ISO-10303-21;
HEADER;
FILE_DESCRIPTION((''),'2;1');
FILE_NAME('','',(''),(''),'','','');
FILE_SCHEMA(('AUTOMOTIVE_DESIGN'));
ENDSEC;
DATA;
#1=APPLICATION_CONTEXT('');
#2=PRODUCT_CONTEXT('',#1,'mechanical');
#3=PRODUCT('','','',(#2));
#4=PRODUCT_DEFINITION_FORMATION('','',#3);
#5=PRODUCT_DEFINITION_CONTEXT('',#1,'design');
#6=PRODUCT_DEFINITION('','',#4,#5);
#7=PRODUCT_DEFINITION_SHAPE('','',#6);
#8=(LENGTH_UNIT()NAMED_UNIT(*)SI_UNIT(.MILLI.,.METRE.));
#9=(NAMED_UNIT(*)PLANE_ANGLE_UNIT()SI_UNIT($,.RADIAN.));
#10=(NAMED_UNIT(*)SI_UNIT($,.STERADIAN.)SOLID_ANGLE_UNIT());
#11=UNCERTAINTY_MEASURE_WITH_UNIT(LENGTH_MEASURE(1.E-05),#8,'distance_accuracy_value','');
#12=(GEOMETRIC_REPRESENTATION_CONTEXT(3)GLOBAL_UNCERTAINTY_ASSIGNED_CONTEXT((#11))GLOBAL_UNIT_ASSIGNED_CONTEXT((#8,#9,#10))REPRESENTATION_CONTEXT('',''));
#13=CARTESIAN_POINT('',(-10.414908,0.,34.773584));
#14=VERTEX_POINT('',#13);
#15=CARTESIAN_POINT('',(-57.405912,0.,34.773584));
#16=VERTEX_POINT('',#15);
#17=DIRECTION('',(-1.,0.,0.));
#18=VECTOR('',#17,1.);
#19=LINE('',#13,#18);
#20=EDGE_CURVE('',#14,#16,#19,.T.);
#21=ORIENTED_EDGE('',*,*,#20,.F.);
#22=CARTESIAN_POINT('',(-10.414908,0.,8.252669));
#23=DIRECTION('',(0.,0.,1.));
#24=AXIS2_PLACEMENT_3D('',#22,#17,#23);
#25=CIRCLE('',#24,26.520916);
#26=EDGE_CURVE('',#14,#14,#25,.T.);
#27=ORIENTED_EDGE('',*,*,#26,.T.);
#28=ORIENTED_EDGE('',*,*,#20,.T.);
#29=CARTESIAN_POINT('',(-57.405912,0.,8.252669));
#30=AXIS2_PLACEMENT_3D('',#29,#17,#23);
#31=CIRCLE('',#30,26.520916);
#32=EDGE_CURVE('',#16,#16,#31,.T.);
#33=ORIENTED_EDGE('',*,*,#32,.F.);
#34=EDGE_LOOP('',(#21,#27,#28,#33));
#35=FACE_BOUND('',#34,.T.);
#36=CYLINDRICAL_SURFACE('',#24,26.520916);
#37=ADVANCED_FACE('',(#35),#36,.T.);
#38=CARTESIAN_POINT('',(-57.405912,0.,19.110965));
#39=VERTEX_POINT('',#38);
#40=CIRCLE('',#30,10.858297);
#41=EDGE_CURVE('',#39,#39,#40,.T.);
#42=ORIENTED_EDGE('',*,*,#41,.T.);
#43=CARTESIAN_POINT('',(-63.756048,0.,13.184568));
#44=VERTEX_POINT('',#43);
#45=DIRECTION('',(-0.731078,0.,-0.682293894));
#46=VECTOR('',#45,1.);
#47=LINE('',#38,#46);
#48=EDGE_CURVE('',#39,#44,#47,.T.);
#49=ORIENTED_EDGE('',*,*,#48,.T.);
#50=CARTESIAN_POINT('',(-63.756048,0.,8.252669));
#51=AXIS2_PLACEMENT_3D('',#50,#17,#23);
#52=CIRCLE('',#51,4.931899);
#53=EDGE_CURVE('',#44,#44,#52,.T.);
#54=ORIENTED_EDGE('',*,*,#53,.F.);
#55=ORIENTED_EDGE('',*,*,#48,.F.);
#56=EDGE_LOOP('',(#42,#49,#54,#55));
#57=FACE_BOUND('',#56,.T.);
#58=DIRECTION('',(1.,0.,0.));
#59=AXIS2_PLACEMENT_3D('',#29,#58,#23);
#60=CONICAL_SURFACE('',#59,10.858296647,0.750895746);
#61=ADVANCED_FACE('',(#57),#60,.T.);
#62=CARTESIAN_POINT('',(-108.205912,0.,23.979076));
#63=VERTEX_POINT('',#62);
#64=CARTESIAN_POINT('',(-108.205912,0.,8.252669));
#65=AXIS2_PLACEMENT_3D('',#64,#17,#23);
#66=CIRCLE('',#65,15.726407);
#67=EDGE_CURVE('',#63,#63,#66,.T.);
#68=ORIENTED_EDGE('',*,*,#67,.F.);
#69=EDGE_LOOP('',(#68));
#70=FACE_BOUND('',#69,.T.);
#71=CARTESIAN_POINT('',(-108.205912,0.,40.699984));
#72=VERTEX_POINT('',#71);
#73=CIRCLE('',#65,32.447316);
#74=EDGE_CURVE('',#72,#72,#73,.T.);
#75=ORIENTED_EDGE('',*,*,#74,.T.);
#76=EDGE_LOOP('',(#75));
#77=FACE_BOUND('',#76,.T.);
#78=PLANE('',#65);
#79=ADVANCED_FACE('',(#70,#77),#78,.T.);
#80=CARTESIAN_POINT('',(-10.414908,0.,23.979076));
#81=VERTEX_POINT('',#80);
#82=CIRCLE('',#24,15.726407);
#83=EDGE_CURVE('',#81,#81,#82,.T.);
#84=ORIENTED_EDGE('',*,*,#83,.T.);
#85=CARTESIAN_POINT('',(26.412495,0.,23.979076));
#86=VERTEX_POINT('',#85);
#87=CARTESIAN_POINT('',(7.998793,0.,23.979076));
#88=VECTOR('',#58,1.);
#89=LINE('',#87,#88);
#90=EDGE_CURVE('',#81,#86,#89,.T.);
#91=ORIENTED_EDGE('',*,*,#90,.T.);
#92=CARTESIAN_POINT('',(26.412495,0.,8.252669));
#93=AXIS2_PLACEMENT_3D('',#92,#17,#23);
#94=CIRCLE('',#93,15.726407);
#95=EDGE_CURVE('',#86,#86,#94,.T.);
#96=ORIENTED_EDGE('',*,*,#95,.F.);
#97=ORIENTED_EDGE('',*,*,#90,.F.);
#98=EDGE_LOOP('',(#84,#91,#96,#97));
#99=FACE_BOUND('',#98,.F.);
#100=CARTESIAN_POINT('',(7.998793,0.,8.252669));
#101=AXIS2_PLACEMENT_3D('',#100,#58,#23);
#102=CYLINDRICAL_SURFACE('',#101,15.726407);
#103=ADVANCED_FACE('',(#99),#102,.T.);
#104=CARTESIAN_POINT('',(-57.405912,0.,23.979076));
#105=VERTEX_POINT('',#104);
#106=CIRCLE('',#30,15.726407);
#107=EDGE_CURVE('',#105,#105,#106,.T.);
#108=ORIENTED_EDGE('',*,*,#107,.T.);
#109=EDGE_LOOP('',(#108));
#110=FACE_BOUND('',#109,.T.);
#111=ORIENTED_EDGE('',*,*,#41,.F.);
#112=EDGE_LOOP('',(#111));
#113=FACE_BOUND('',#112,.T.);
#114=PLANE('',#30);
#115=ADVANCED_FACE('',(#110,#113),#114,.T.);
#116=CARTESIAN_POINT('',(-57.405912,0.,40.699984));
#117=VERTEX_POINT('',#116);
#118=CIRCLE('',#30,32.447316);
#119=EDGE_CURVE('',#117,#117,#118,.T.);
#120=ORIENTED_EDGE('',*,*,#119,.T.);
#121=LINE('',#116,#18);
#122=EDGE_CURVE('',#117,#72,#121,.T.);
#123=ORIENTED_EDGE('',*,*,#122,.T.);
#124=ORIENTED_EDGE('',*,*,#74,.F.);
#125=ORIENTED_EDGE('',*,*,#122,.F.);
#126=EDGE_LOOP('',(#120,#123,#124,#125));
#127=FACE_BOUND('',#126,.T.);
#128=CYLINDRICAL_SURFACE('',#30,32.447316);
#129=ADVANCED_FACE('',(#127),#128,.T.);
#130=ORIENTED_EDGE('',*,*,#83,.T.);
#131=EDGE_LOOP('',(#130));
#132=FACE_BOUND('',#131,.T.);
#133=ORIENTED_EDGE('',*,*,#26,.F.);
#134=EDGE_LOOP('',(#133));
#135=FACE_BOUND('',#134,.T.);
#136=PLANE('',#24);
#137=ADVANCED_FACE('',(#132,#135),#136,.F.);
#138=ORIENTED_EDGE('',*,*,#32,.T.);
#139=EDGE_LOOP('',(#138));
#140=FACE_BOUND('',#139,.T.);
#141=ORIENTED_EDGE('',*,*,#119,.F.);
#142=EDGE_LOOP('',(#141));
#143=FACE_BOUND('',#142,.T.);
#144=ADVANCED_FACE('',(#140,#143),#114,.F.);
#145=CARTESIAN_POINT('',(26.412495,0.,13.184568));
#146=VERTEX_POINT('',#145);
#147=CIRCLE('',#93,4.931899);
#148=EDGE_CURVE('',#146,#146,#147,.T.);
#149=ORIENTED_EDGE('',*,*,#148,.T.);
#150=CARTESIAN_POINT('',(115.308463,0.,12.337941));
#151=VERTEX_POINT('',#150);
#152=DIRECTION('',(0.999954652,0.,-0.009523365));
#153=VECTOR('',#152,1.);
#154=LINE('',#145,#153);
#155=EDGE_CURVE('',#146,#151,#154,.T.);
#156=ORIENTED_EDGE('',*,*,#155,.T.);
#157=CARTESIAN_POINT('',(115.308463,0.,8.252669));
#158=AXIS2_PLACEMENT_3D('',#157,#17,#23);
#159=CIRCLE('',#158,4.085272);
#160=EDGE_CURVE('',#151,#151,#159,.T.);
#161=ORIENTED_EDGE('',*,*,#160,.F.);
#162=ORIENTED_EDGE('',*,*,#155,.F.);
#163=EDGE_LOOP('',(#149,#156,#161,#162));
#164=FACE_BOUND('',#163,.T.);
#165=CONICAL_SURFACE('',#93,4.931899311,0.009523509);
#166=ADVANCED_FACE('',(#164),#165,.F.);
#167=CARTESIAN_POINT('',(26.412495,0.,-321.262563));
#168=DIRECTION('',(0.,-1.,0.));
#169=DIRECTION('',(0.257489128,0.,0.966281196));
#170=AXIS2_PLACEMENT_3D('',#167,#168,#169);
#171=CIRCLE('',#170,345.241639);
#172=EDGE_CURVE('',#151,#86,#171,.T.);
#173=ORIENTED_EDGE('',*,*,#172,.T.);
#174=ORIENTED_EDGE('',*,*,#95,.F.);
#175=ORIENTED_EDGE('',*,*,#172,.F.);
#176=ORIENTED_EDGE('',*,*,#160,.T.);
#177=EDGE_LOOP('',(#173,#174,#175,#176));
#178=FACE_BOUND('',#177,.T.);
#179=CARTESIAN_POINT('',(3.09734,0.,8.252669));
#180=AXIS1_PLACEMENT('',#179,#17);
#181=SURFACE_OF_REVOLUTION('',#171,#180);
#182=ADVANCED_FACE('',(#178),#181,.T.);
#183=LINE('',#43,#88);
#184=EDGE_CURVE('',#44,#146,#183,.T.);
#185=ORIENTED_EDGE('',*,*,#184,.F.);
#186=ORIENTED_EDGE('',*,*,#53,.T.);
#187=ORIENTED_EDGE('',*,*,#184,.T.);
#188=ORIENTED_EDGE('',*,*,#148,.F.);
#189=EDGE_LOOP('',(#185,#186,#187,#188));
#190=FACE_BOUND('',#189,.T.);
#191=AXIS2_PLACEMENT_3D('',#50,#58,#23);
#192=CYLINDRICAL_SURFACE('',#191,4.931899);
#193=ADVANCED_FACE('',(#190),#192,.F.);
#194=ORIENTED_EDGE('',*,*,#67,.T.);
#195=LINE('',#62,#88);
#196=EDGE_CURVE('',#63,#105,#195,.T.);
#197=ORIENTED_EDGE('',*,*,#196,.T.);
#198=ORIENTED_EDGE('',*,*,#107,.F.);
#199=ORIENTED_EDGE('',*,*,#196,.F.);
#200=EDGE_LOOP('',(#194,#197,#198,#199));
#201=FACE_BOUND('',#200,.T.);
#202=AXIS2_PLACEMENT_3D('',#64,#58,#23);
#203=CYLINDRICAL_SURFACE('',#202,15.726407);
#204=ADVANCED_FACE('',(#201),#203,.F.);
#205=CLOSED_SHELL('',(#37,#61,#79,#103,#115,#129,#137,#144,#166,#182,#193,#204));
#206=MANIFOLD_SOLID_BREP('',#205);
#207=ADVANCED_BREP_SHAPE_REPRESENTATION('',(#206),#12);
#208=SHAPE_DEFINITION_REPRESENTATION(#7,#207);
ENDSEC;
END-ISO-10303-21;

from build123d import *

# Parameters (mm, degrees)
F0_W = 36.8274030861
F0_H = 10.7945081846


with BuildPart() as f1:
    # F0 (on Front) → F1 (revolve)
    with BuildSketch(Plane.XZ):
        Polygon((-57.4059124522, 23.979076107), (-57.4059124522, 34.7735842916), (-57.4059124522, 40.6999844616), (-108.2059124522, 40.6999844616), (-108.2059124522, 23.979076107), align=None)
        Polygon((-10.4149084185, 34.7735842916), (-57.4059124522, 34.7735842916), (-57.4059124522, 23.979076107), (-57.4059124522, 19.1109652582), (-57.4059124522, 13.1845679224), (-10.4149084185, 13.1845679224), (-10.4149084185, 23.979076107), align=None)
        with Locations((7.9987931245, 18.5818220147)):
            Rectangle(F0_W, F0_H)
        with BuildLine():
            ThreePointArc((115.3084632069, 12.3379408113), (71.2399674201, 21.0564213669), (26.4124946676, 23.979076107))
            Line((26.4124946676, 23.979076107), (26.4124946676, 13.1845679224))
            Line((26.4124946676, 13.1845679224), (115.3084632069, 12.3379408113))
        make_face()
        Polygon((-57.4059124522, 13.1845679224), (-57.4059124522, 19.1109652582), (-63.7560480048, 13.1845679224), align=None)
    revolve(axis=Axis((3.0973404646, 0, 8.2526686112), (-1, 0, 0)))


solid = f1.part
